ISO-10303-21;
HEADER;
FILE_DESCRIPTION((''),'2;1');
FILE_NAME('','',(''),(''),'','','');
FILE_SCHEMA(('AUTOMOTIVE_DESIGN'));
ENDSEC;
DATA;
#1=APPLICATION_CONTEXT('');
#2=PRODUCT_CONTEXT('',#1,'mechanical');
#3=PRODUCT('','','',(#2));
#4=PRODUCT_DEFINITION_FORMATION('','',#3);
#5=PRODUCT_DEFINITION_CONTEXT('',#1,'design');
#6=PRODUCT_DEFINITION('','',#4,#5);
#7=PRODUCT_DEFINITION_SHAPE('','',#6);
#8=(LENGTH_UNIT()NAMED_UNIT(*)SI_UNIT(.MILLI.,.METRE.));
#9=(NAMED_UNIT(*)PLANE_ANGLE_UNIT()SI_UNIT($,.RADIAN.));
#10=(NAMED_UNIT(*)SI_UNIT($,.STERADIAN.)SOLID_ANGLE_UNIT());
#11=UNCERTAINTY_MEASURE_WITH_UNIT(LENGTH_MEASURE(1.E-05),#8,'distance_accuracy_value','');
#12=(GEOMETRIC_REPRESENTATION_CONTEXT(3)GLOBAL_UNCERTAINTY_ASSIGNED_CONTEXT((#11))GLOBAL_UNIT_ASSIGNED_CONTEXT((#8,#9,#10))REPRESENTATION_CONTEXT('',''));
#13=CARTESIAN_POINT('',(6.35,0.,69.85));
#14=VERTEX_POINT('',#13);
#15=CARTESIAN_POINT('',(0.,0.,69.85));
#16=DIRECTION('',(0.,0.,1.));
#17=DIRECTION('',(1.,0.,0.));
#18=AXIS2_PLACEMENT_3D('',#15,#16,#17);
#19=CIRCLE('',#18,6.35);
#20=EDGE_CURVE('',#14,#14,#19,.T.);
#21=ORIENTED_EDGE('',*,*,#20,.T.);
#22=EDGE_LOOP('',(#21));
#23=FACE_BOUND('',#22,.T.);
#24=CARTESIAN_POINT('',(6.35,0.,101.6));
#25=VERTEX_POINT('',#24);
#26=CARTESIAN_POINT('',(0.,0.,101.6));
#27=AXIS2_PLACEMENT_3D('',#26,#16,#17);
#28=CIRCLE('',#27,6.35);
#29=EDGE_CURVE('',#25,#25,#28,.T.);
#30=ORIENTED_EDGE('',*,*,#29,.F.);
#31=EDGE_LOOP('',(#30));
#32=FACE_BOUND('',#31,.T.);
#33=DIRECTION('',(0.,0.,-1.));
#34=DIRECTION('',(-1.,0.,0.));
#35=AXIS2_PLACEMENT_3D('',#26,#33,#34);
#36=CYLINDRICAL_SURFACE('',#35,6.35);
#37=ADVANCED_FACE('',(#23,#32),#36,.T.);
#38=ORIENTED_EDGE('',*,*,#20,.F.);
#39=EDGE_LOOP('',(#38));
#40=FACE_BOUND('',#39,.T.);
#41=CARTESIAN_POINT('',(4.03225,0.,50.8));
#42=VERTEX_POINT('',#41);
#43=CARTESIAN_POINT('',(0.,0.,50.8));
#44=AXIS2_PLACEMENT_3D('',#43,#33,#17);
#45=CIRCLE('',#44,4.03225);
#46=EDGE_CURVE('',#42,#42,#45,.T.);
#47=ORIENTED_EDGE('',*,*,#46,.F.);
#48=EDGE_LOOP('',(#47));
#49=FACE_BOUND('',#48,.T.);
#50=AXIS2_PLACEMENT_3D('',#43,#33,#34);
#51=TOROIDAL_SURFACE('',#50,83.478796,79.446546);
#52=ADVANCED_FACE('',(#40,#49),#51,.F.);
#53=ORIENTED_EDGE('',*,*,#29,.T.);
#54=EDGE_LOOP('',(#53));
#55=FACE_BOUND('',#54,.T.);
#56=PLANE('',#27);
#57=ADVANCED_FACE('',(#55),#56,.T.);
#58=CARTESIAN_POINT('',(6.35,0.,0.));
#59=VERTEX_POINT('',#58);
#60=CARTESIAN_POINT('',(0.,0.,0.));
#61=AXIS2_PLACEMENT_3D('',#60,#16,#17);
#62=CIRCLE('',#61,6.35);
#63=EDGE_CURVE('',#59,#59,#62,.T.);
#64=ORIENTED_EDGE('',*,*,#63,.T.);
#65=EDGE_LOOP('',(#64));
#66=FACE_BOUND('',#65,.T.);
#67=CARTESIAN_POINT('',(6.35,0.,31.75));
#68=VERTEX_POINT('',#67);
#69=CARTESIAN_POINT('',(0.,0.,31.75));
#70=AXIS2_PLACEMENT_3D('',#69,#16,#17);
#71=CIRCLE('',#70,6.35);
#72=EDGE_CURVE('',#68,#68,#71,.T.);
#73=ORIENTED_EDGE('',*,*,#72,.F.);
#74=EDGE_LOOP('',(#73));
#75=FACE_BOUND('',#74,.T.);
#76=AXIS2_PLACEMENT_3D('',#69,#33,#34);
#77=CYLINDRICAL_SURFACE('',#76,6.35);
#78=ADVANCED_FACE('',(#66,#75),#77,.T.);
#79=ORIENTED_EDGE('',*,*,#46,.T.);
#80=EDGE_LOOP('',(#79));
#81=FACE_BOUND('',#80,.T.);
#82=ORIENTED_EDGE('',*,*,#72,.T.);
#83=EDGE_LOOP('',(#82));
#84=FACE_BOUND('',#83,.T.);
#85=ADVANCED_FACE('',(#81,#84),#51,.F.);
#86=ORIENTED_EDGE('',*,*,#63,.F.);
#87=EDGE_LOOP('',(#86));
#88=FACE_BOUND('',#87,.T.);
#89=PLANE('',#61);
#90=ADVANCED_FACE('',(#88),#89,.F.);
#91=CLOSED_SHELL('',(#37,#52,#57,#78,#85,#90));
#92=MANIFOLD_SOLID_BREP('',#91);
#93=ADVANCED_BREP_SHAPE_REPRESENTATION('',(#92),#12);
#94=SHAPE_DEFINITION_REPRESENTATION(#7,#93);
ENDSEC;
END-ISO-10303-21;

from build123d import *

# Parameters (mm, degrees)
SKETCH2_R           = 6.35
BOSS_EXTRUDE1_DEPTH = 31.75
SKETCH8_R           = 6.35
BOSS_EXTRUDE2_DEPTH = 31.75


with BuildPart() as part:
    # Sketch2 → Boss-Extrude1 (new body)
    with BuildSketch(Plane.XY):
        Circle(SKETCH2_R)
    extrude(amount=BOSS_EXTRUDE1_DEPTH)

    # Sketch7 → Revolve1 (revolve)
    with BuildSketch(Plane(origin=(0, 0, 0), x_dir=(0, 0, -1), z_dir=(1, 0, 0))):
        with BuildLine():
            Line((-31.75, 0), (-31.75, 6.35))
            ThreePointArc((-31.75, 6.35), (-50.8, 4.03225), (-69.85, 6.35))
            Line((-69.85, 6.35), (-69.85, 0))
            Line((-69.85, 0), (-31.75, 0))
        make_face()
    revolve(axis=Axis((0, 0, 0), (0, 0, 1)))

    # Sketch8 → Boss-Extrude2 (add)
    with BuildSketch(Plane.XY.offset(69.85)):
        Circle(SKETCH8_R)
    extrude(amount=BOSS_EXTRUDE2_DEPTH)


solid = part.part
